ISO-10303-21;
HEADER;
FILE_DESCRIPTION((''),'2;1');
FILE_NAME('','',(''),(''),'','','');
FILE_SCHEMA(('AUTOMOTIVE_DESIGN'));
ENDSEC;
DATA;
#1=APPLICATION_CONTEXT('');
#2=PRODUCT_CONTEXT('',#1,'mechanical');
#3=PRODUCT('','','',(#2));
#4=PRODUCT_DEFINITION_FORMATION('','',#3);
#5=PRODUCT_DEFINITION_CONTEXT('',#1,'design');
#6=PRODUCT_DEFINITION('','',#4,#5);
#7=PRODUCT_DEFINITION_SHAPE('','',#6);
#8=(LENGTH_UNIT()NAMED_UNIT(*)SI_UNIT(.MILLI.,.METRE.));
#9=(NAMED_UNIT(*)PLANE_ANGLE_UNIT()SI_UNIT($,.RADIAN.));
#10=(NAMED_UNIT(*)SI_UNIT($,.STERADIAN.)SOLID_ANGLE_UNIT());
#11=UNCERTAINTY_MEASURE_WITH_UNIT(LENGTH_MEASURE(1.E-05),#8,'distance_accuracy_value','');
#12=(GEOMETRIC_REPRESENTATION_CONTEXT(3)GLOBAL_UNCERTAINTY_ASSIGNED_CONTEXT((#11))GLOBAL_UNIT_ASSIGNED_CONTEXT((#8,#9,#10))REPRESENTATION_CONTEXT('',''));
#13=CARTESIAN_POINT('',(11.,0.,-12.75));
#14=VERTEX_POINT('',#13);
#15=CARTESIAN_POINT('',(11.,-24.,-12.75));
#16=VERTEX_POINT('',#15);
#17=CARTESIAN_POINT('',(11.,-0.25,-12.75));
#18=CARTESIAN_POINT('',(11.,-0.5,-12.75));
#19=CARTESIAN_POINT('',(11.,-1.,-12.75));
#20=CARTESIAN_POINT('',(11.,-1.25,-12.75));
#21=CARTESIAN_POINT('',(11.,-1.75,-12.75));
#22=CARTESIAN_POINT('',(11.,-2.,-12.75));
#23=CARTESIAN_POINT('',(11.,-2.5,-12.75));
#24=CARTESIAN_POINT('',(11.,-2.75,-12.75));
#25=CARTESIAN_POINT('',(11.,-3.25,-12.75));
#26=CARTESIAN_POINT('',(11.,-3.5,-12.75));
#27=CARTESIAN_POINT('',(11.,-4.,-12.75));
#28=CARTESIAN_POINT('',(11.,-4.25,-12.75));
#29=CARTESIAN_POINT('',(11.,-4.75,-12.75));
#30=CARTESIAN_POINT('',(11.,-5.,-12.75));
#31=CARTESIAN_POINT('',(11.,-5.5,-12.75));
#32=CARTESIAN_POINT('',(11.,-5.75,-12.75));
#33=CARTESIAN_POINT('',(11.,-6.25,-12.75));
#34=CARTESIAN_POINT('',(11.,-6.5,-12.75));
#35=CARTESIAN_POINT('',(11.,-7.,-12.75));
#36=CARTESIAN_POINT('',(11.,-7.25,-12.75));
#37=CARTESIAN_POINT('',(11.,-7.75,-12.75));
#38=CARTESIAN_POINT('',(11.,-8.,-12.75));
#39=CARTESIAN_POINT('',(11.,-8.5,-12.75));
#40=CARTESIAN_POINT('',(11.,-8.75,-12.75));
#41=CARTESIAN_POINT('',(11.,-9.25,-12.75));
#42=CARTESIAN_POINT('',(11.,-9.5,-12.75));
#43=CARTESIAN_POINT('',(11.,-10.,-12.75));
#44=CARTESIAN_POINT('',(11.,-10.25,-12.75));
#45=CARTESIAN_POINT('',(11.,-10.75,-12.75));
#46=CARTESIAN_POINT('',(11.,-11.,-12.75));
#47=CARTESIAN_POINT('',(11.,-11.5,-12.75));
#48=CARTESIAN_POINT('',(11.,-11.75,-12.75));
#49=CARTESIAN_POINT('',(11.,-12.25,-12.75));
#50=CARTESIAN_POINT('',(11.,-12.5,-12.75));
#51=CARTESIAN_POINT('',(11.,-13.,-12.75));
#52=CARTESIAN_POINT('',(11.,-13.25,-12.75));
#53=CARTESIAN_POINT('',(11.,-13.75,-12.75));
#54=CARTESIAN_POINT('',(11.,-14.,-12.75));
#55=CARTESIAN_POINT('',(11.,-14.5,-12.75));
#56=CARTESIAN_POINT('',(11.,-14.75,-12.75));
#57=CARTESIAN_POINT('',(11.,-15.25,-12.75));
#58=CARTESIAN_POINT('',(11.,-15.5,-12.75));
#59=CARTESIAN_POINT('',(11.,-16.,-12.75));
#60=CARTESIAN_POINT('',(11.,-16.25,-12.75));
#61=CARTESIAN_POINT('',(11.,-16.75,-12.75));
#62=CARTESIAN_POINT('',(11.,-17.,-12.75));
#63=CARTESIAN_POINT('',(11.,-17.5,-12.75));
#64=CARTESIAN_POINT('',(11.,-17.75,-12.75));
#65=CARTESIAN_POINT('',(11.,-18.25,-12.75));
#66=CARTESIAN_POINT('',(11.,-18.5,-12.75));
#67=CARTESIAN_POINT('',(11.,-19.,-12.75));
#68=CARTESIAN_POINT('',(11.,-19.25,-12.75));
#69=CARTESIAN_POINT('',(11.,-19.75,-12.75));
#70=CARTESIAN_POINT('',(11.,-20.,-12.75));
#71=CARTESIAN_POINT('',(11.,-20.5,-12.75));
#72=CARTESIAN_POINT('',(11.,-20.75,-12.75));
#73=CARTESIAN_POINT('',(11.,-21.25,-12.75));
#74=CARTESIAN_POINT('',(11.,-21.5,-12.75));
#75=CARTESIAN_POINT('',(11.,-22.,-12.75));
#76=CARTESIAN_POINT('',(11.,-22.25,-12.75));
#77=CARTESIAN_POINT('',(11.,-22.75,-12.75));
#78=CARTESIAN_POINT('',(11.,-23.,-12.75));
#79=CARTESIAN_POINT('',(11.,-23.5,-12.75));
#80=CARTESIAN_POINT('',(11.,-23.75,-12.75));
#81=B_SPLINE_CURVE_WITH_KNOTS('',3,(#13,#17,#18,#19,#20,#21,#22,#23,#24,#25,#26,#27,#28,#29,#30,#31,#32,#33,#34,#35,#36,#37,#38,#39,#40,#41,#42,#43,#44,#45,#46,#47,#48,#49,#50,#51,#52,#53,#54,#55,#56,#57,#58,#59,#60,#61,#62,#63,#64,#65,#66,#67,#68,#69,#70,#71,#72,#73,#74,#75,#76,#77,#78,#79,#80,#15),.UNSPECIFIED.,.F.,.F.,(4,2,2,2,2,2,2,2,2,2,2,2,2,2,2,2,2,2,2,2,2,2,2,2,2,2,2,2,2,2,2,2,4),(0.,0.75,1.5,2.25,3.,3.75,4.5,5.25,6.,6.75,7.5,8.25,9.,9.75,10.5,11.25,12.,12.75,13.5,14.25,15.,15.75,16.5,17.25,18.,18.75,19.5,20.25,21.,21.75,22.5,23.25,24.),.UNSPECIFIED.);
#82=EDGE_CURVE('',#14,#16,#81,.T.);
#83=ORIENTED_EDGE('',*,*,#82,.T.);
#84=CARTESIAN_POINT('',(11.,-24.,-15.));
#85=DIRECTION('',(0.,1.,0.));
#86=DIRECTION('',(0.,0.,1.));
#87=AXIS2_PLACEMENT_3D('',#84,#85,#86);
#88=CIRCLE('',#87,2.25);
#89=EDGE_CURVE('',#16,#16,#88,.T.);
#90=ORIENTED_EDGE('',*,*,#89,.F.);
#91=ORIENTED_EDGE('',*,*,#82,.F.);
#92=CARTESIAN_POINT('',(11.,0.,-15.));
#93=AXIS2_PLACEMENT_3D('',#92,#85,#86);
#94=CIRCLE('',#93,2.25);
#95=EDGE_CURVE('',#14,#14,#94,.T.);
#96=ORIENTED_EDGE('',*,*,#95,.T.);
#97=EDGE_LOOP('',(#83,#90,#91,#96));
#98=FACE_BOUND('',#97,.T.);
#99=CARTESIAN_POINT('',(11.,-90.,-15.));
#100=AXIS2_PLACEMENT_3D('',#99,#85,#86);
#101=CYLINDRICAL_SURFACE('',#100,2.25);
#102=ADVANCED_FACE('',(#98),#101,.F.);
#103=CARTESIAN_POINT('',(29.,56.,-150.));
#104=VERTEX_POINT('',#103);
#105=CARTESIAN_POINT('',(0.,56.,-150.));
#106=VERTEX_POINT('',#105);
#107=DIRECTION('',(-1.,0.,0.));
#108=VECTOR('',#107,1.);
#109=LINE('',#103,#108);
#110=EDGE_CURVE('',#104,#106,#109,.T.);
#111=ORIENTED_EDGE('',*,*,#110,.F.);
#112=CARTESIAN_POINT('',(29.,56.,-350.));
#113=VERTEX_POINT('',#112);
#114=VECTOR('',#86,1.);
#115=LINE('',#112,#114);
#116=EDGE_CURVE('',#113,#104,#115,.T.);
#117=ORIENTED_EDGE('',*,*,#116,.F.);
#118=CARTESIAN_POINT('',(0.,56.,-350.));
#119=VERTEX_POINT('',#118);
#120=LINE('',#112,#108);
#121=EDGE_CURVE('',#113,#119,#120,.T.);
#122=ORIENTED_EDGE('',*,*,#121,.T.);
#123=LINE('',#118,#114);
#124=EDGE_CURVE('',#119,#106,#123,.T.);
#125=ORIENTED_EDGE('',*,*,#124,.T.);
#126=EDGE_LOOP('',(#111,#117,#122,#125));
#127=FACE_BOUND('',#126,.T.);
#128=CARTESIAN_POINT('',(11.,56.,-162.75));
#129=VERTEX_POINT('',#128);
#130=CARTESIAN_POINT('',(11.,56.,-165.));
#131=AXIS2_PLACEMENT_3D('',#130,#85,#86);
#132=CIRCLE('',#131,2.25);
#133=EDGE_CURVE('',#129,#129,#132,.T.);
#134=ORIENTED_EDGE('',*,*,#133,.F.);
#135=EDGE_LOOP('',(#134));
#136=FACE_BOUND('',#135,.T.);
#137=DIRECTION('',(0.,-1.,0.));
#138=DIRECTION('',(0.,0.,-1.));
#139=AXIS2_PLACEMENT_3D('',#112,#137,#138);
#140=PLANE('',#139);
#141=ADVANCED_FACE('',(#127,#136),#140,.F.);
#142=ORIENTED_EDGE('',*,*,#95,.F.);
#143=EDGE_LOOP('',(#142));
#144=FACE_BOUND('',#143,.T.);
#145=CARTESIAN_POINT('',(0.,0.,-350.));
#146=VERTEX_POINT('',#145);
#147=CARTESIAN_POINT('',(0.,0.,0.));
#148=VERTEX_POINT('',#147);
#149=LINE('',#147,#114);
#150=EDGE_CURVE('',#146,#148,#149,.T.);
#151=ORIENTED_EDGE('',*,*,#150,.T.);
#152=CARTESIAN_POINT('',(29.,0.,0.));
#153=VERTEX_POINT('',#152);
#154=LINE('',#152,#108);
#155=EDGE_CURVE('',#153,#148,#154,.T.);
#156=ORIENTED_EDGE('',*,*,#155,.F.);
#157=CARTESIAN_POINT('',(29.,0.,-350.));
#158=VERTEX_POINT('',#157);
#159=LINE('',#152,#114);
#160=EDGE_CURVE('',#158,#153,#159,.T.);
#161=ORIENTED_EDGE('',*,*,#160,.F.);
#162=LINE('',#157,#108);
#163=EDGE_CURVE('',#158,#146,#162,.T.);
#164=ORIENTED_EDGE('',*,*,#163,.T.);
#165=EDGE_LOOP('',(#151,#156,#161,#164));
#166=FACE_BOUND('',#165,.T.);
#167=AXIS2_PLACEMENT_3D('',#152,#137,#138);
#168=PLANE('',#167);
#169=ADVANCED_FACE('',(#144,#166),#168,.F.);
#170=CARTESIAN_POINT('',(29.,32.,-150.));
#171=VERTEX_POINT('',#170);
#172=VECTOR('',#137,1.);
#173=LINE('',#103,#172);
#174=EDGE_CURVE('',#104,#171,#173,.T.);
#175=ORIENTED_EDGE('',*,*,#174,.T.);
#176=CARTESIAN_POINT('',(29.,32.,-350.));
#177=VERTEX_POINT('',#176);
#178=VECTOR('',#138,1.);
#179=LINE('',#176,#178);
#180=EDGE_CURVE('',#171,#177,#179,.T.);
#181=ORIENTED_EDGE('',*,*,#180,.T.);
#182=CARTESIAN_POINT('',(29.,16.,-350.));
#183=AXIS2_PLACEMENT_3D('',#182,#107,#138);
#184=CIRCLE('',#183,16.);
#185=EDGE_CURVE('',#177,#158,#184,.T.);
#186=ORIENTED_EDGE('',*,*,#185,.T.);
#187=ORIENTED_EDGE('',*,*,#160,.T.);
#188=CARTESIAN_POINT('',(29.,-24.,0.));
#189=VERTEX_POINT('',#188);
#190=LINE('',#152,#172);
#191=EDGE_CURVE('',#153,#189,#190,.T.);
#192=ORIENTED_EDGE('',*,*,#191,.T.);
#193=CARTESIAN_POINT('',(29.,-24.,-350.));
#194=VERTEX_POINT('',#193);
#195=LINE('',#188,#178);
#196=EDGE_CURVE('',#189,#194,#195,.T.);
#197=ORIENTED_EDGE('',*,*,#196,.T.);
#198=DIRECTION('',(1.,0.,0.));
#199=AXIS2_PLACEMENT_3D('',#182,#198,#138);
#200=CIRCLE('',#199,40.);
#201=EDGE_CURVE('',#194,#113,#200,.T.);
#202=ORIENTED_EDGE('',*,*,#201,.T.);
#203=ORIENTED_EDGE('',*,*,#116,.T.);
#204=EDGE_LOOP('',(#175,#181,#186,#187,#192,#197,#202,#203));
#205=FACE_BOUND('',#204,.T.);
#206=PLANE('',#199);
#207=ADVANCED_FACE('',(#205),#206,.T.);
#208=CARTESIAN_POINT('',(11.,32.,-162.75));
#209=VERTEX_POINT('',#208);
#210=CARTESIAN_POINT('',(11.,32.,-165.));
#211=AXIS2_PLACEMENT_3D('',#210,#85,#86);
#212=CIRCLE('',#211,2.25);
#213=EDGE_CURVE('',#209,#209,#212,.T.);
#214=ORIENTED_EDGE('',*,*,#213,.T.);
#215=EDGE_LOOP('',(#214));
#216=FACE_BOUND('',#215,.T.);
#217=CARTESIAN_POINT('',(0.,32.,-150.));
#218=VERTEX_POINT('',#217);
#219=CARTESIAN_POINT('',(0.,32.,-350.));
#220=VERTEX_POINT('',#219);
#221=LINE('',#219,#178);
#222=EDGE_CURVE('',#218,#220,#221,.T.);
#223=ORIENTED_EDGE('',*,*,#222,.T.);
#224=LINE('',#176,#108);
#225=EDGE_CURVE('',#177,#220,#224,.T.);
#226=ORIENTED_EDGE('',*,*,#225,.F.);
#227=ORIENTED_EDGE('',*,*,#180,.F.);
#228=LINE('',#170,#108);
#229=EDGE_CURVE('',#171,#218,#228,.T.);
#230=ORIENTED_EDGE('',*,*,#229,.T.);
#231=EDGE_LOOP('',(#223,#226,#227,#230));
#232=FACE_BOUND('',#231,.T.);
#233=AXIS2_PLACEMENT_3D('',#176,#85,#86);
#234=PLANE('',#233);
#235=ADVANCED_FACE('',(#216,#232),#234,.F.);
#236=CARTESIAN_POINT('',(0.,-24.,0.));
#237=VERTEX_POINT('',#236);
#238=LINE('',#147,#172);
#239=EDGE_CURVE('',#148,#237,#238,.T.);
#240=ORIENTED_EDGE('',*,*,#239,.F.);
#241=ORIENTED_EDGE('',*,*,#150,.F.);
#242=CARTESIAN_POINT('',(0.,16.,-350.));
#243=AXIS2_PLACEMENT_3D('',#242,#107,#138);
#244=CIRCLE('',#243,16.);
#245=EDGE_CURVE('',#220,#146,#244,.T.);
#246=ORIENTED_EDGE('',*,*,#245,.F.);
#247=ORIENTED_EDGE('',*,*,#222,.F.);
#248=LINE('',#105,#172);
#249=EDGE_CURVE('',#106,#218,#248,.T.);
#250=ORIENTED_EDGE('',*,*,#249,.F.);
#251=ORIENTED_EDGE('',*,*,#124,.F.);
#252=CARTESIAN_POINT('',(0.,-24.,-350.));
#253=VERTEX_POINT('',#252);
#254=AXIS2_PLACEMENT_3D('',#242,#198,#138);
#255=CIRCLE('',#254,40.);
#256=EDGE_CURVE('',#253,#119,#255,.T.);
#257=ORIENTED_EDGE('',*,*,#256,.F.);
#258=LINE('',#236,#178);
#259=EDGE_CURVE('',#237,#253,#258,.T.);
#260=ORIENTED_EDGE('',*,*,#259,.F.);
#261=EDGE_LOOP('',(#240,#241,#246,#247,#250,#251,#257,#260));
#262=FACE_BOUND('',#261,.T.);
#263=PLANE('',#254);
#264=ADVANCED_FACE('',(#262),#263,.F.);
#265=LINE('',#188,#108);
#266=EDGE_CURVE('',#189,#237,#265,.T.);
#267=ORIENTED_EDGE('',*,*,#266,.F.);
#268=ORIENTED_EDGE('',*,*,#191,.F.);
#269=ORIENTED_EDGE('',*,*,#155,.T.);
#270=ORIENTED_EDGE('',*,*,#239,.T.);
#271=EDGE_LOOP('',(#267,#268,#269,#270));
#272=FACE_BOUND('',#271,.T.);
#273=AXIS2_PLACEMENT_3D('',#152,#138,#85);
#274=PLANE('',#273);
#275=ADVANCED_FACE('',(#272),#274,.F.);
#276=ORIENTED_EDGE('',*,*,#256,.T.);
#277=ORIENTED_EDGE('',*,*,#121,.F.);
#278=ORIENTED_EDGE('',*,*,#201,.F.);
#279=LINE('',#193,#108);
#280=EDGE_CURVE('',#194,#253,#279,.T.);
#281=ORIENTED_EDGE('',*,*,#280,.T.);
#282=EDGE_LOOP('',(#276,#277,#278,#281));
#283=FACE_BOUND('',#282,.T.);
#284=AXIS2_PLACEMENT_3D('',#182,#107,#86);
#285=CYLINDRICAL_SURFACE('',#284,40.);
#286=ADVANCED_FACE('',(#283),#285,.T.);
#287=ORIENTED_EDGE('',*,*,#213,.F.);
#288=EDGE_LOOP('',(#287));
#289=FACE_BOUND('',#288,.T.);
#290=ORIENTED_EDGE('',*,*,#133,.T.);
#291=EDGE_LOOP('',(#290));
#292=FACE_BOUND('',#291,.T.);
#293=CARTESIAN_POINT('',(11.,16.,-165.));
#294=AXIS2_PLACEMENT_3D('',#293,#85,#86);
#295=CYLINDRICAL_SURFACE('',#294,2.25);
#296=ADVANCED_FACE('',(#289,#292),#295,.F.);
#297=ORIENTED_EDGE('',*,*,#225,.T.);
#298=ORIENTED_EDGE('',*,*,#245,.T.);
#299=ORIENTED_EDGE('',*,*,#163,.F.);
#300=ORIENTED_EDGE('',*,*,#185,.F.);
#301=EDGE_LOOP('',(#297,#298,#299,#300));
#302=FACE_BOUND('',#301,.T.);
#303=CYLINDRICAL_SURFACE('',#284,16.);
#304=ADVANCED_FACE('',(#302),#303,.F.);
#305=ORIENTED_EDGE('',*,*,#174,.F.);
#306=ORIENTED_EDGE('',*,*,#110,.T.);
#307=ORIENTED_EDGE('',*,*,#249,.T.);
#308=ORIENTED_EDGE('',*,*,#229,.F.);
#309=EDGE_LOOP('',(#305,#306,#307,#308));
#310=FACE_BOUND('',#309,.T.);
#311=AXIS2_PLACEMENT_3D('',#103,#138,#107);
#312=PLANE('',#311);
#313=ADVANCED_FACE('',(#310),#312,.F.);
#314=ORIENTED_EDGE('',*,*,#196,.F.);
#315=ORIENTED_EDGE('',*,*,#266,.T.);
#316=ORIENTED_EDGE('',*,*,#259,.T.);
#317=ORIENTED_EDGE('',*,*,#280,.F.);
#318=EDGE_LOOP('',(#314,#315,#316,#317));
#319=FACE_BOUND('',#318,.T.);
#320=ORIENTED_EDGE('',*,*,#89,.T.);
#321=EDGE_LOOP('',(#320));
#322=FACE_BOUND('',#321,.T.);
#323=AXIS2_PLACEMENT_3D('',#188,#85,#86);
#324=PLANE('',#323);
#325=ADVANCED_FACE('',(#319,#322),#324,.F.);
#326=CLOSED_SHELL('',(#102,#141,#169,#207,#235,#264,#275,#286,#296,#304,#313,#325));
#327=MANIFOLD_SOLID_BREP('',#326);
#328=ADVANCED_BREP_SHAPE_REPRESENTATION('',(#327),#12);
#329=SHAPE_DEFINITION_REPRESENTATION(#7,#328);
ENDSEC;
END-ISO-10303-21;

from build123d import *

# Parameters (mm, degrees)
EXTRUDE_1_DEPTH     = 29
SKETCH_2_R          = 2.25
CUT_EXTRUDE_1_DEPTH = 90
SKETCH_3_R          = 2.25
CUT_EXTRUDE_2_DEPTH = 40


with BuildPart() as part:
    # 草图1 → 凸台-拉伸1 (new body)
    with BuildSketch(Plane(origin=(0, 0, 0), x_dir=(0, 0, -1), z_dir=(1, 0, 0))):
        with BuildLine():
            Line((0, 0), (350, 0))
            ThreePointArc((350, 0), (366, 16), (350, 32))
            Line((350, 32), (150, 32))
            Line((150, 32), (150, 56))
            Line((150, 56), (350, 56))
            ThreePointArc((350, 56), (390, 16), (350, -24))
            Line((350, -24), (0, -24))
            Line((0, -24), (0, 0))
        make_face()
    extrude(amount=EXTRUDE_1_DEPTH)

    # 草图2 → 切除-拉伸1 (cut)
    with BuildSketch(Plane(origin=(0, 0, 0), x_dir=(1, 0, 0), z_dir=(0, 1, 0))):
        with Locations((36, 15)):
            Circle(SKETCH_2_R)
        with Locations(Location((11, 15, 0), (0, 0, 270))):
            Circle(SKETCH_2_R)
    extrude(amount=-CUT_EXTRUDE_1_DEPTH, mode=Mode.SUBTRACT)

    # 草图3 → 切除-拉伸2 (cut)
    with BuildSketch(Plane(origin=(0, 56, 0), x_dir=(1, 0, 0), z_dir=(0, 1, 0))):
        with Locations(Location((11, 165, 0), (0, 0, 270))):
            Circle(SKETCH_3_R)
        with Locations((36, 165)):
            Circle(SKETCH_3_R)
    extrude(amount=-CUT_EXTRUDE_2_DEPTH, mode=Mode.SUBTRACT)


solid = part.part
